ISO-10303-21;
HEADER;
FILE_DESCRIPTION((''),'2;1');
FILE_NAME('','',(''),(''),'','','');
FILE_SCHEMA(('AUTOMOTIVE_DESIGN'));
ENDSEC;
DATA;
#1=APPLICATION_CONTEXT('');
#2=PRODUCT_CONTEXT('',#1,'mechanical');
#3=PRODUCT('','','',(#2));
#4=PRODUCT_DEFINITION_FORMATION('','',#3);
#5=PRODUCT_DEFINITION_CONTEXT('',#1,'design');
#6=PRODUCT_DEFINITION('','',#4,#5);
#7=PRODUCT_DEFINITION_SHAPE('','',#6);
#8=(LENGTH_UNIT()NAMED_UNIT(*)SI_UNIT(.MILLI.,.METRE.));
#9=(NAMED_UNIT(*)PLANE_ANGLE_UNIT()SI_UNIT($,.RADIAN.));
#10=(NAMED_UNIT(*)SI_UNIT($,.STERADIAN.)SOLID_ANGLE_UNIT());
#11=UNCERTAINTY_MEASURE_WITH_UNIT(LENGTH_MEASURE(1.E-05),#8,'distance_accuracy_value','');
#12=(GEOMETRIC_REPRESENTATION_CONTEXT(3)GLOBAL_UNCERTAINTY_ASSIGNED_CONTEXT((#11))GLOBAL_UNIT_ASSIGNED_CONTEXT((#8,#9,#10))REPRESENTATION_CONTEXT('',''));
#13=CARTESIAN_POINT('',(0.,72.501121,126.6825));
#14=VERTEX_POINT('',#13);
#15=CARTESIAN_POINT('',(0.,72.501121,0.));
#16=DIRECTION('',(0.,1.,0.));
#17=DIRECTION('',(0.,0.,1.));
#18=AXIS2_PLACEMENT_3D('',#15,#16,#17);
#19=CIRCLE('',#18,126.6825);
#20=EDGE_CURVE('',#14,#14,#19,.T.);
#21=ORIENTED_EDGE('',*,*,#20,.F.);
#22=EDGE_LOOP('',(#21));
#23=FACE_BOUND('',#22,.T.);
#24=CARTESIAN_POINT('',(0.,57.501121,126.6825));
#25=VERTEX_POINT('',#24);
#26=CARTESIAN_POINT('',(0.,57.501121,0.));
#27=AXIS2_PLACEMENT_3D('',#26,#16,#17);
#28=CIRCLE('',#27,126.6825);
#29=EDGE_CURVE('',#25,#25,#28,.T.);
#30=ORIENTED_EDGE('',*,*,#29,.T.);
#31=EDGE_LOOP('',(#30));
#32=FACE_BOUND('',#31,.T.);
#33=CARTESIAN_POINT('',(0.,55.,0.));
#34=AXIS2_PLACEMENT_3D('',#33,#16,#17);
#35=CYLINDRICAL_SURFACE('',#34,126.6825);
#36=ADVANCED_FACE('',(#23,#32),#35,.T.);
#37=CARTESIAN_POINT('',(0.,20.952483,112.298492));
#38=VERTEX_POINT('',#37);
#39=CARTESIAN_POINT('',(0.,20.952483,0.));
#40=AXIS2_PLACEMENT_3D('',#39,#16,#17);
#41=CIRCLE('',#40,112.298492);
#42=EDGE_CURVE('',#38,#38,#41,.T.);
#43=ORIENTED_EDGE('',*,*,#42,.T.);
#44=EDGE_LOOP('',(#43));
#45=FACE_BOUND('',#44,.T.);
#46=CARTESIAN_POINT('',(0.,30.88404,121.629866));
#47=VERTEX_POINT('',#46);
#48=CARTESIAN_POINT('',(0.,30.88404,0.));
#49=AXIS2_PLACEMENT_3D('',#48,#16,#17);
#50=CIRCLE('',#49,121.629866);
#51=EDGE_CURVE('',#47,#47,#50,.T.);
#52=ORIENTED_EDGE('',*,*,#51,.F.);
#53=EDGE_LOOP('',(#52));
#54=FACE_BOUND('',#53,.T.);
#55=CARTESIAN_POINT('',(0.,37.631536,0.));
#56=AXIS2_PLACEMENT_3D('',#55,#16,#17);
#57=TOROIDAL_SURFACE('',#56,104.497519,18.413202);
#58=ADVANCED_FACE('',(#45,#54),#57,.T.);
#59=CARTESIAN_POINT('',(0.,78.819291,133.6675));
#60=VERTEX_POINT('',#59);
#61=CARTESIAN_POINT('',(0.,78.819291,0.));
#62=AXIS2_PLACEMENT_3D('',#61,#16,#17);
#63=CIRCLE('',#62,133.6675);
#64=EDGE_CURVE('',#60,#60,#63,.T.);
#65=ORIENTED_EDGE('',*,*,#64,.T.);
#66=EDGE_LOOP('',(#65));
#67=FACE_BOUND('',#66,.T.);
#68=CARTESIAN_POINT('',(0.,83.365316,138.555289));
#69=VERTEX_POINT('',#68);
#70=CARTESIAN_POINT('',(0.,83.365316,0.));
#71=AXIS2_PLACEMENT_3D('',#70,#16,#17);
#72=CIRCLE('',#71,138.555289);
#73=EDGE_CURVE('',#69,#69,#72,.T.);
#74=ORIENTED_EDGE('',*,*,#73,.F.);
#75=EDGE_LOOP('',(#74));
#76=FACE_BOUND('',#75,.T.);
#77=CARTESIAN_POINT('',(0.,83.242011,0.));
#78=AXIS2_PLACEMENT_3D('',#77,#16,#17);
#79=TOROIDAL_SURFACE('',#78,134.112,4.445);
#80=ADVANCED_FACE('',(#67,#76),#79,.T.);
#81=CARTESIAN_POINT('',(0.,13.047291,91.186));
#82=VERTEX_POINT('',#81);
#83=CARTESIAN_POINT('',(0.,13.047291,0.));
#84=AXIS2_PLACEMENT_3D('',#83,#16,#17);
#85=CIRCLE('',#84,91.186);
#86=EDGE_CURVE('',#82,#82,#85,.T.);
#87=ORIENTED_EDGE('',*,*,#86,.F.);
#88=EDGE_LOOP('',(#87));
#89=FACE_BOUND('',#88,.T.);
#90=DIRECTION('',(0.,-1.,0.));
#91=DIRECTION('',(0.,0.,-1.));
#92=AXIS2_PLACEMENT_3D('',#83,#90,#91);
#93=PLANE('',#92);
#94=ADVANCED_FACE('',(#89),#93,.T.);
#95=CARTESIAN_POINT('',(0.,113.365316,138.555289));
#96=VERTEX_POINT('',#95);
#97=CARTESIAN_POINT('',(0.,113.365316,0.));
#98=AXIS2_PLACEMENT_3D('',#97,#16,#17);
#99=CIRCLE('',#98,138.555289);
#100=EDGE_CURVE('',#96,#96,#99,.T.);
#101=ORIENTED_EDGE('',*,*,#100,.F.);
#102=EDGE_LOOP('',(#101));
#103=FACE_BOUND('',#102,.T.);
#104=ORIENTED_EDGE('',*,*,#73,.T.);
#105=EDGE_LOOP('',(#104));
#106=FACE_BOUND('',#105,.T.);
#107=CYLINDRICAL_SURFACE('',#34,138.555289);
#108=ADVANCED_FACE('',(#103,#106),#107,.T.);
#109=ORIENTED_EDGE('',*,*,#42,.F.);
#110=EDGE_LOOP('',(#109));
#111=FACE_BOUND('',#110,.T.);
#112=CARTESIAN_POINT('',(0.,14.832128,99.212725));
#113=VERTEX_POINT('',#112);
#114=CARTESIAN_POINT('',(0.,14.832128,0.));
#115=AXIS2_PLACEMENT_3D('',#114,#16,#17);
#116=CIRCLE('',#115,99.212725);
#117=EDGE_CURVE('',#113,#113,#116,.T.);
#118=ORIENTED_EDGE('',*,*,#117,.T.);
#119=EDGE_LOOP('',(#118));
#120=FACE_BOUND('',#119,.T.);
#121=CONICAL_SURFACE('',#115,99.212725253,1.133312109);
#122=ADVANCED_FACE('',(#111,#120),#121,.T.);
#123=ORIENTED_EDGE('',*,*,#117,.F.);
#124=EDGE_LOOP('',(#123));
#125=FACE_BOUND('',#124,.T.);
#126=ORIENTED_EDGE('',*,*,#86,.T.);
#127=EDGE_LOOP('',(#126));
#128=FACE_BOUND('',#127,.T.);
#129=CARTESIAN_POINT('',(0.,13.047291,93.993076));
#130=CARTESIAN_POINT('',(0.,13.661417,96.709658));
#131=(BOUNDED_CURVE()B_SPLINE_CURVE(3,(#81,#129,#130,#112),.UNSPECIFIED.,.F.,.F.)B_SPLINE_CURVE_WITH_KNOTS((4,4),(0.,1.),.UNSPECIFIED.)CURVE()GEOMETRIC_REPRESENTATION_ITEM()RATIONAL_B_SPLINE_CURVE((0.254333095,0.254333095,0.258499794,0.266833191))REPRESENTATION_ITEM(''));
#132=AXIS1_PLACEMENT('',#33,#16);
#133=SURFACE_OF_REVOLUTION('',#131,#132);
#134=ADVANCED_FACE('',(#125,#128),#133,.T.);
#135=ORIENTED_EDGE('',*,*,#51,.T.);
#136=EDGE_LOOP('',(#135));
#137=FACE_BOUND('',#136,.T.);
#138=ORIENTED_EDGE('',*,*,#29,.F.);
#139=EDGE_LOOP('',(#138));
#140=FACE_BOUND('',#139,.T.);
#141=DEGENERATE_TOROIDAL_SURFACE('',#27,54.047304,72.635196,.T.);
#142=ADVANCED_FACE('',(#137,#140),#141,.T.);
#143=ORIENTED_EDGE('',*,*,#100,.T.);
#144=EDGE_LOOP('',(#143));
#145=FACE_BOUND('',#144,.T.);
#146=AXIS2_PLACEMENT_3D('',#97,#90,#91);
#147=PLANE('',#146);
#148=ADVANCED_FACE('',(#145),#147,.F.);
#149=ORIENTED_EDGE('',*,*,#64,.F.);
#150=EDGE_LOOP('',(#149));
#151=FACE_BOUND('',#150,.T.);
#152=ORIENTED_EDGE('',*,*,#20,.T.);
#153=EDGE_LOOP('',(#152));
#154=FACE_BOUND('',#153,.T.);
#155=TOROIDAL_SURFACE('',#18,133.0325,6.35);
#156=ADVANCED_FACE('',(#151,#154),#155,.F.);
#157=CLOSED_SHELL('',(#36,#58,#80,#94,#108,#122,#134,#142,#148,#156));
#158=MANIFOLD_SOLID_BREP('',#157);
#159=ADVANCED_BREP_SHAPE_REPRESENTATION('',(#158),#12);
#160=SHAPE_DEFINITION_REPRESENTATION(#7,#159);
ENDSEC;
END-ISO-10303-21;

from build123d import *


with BuildPart() as part:
    # Sketch1 → Revolve1 (revolve)
    with BuildSketch(Plane(origin=(0, 0, 0), x_dir=(0, 0, -1), z_dir=(1, 0, 0))):
        with BuildLine():
            Line((-91.186, 13.047291374), (-80.264, 13.047291374))
            Line((-80.264, 13.047291374), (0, 13.047291374))
            Line((0, 13.047291374), (0, 113.365316059))
            Line((0, 113.365316059), (-138.555289406, 113.365316059))
            Line((-138.555289406, 113.365316059), (-138.555289406, 83.365316059))
            ThreePointArc((-138.555289406, 83.365316059), (-137.139237072, 79.987189383), (-133.6675, 78.819291374))
            ThreePointArc((-133.6675, 78.819291374), (-128.772790503, 77.210407188), (-126.6825, 72.501121148))
            Line((-126.6825, 72.501121148), (-126.6825, 57.501121148))
            ThreePointArc((-126.6825, 57.501121148), (-125.408162819, 43.954921466), (-121.629866106, 30.884040279))
            ThreePointArc((-121.629866106, 30.884040279), (-117.916780417, 25.02322781), (-112.298492351, 20.952482505))
            Line((-112.298492351, 20.952482505), (-99.212725253, 14.832128031))
            add(Edge.make_bspline(
                [(-91.186, 13.047291374), (-93.993075649, 13.047291374), (-96.709658085, 13.661416507), (-99.212725253, 14.832128031)],
                knots=[0, 0, 0, 0, 1, 1, 1, 1], degree=3, weights=[0.254333095, 0.254333095, 0.258499794, 0.266833191]))
        make_face()
    revolve(axis=Axis((0, 55, 0), (0, -1, 0)))


solid = part.part
